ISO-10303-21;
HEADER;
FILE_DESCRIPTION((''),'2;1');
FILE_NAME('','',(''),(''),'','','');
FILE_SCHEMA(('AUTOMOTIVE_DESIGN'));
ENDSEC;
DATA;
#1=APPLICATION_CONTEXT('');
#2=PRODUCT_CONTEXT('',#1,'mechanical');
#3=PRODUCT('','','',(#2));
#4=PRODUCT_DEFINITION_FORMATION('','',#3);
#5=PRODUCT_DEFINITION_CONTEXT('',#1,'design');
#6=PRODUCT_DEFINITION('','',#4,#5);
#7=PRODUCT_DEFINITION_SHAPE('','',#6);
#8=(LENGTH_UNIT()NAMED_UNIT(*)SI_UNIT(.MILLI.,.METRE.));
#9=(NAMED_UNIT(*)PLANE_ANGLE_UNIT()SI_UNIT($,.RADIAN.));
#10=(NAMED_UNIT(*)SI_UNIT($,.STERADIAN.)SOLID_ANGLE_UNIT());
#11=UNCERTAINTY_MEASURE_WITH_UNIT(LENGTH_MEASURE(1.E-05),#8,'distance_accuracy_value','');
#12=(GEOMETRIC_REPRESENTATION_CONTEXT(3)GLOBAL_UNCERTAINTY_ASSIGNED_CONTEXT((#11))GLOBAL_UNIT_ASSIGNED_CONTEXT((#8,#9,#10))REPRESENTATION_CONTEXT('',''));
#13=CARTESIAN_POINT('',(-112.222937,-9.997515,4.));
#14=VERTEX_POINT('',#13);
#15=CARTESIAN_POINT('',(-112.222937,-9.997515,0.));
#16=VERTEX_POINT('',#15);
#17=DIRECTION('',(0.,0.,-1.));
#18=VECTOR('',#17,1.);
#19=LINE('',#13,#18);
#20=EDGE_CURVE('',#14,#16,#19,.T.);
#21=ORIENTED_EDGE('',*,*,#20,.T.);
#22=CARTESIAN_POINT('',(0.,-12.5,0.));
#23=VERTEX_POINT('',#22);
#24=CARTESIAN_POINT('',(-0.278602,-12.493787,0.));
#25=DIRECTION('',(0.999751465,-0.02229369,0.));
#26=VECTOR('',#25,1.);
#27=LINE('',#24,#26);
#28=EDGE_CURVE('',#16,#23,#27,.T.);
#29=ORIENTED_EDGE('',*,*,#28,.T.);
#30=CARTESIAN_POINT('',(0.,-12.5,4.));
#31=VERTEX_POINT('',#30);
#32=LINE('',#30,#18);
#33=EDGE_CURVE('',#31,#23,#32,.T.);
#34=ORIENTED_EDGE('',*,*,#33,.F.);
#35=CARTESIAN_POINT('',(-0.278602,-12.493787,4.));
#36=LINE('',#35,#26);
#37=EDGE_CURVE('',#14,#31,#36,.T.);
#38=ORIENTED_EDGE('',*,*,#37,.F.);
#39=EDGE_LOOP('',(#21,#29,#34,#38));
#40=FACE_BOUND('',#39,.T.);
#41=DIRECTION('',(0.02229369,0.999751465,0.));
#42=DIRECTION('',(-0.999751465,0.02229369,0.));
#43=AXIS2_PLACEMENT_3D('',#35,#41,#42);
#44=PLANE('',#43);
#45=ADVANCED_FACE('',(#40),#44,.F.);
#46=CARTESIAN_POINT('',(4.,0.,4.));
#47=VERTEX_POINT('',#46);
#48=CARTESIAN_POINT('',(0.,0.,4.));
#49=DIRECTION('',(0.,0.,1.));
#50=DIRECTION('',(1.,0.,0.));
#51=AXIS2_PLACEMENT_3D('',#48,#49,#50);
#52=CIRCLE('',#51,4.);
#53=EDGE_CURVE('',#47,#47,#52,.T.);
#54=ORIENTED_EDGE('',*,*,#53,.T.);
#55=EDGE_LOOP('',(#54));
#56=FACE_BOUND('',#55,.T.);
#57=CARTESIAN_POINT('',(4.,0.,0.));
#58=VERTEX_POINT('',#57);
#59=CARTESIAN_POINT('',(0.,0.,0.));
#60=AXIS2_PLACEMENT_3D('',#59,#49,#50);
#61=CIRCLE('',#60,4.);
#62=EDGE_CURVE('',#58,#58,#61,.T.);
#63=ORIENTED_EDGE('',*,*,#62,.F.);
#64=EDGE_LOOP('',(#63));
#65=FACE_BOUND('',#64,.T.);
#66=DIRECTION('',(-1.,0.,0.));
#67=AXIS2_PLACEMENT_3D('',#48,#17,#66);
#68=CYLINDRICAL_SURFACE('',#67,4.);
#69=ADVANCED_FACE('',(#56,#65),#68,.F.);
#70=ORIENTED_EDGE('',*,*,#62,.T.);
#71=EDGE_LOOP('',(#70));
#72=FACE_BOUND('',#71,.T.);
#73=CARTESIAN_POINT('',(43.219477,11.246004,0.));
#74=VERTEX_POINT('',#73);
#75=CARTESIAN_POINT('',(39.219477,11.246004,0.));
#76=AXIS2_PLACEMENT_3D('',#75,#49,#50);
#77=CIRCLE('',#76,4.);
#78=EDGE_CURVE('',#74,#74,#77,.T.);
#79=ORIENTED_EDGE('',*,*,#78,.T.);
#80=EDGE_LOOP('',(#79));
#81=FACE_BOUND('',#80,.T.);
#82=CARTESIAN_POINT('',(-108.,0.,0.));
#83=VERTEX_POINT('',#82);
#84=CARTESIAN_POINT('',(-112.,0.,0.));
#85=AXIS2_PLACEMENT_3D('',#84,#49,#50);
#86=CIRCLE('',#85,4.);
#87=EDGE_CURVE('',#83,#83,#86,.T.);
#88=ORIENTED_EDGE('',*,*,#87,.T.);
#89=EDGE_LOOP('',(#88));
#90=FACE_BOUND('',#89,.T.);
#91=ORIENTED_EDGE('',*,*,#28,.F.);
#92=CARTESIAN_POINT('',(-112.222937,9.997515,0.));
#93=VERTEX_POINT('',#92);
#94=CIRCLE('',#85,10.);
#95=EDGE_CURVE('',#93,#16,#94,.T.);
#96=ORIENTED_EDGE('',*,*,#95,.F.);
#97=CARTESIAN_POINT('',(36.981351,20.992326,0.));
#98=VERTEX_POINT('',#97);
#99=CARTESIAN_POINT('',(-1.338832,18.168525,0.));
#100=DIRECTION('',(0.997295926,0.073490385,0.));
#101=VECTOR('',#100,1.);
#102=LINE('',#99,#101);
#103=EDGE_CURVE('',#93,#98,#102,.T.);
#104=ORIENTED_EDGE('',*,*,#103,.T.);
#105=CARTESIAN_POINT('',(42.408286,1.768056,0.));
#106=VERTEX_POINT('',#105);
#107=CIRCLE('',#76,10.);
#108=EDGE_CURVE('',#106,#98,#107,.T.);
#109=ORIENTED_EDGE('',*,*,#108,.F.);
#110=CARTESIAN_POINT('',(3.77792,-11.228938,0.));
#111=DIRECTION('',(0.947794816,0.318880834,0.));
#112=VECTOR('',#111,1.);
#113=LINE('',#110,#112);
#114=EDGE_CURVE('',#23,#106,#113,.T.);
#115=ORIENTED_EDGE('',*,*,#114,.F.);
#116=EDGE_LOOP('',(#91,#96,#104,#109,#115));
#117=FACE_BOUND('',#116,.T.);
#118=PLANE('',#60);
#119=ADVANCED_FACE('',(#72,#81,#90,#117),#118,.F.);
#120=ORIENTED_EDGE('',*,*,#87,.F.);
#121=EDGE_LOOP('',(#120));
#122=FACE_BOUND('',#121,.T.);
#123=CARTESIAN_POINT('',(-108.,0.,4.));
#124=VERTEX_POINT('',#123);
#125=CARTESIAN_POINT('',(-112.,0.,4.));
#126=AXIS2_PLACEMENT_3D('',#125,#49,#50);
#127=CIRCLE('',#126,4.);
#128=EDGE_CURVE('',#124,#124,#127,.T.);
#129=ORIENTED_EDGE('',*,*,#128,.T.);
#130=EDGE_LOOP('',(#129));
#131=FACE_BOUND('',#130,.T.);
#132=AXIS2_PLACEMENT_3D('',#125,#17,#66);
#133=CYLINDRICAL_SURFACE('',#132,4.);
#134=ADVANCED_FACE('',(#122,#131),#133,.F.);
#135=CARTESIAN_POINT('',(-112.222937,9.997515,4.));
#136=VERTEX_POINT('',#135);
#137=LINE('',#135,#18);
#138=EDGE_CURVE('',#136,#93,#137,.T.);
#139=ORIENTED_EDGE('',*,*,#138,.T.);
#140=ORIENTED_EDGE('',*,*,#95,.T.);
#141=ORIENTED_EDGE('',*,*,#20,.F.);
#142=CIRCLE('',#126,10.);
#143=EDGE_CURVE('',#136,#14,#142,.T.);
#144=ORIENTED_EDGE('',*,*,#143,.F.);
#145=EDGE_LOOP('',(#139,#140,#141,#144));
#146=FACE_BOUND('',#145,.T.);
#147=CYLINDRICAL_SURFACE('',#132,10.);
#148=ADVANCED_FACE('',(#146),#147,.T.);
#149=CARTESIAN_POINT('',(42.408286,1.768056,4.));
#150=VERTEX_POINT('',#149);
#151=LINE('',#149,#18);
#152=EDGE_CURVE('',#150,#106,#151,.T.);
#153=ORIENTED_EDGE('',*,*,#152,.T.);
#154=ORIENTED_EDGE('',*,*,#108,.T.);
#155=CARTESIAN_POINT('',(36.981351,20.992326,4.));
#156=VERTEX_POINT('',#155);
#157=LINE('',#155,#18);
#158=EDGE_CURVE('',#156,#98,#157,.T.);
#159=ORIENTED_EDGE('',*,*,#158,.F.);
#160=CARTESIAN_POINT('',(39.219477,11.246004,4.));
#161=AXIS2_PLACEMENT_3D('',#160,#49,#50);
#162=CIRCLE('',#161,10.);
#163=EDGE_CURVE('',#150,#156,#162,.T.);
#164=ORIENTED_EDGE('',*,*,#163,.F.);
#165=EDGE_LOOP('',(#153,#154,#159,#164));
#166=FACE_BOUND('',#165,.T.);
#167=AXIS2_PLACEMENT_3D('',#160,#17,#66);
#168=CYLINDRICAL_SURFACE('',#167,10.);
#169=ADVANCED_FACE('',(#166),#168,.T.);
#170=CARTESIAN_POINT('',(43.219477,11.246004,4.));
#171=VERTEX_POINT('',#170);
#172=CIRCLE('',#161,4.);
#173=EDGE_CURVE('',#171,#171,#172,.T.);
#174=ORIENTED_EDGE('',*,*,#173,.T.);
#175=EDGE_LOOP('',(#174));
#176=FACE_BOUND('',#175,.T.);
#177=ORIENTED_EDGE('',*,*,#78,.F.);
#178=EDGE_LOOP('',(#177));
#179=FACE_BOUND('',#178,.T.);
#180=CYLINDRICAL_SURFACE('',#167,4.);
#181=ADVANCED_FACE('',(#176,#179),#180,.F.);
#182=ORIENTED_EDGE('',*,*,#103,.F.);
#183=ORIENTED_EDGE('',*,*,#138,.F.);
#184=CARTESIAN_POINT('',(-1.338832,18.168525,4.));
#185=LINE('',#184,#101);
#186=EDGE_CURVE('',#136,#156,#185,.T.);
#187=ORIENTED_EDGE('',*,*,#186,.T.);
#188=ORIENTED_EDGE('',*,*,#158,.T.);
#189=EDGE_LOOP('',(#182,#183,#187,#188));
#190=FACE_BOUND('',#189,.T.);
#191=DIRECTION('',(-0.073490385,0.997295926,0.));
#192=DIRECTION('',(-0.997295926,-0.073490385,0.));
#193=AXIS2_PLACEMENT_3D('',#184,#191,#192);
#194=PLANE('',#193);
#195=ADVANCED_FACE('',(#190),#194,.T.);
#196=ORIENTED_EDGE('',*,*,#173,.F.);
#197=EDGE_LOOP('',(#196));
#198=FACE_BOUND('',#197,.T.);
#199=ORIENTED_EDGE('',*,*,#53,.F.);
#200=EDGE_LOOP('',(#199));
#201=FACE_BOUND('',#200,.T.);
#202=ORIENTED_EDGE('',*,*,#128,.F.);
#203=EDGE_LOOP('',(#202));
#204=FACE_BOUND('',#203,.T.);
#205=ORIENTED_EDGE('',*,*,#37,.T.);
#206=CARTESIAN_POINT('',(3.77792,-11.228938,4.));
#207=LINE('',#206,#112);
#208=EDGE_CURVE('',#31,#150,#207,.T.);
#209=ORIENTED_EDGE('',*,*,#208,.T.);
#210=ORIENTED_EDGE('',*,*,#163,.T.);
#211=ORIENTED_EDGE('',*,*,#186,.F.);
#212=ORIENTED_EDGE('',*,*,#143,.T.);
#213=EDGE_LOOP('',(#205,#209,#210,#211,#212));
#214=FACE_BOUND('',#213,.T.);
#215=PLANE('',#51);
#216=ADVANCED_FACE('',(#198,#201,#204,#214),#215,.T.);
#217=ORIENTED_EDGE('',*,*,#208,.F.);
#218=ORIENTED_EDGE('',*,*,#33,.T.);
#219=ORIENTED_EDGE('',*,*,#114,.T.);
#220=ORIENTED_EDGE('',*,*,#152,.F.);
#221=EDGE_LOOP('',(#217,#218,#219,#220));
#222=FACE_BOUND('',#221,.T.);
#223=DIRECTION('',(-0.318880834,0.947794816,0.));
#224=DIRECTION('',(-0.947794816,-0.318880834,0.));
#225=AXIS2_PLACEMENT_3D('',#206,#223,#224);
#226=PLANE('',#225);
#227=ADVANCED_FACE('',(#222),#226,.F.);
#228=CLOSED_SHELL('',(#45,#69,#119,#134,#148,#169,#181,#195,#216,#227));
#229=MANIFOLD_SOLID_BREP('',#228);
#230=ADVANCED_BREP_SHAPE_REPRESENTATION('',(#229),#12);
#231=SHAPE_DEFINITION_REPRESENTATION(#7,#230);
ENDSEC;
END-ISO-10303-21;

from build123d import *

# Parameters (mm, degrees)
CROQUIS1_R              = 4
SALIENTE_EXTRUIR1_DEPTH = 4


with BuildPart() as part:
    # Croquis1 → Saliente-Extruir1 (new body)
    # profile 1 of 2: a face of its own
    with BuildSketch(Plane.XY):
        with BuildLine():
            Line((0, -12.5), (42.408285537, 1.768055956))
            ThreePointArc((42.408285537, 1.768055956), (48.843358342, 13.962787444), (36.981350661, 20.992325968))
            Line((36.981350661, 20.992325968), (0, 12.5))
            Line((0, 12.5), (-112.222936903, 9.997514648))
            ThreePointArc((-112.222936903, 9.997514648), (-122, 0), (-112.222936903, -9.997514648))
            Line((-112.222936903, -9.997514648), (0, -12.5))
        make_face()
        with Locations((-112, 0)):
            Circle(CROQUIS1_R, mode=Mode.SUBTRACT)
        with Locations((39.219477194, 11.246004117)):
            Circle(CROQUIS1_R, mode=Mode.SUBTRACT)
        Circle(CROQUIS1_R, mode=Mode.SUBTRACT)
    # profile 2 of 2: a face of its own
    with BuildSketch(Plane.XY):
        Polygon((-112.222936903, 9.997514648), (36.981350661, 20.992325968), (0, 12.5), align=None)
    extrude(amount=SALIENTE_EXTRUIR1_DEPTH)


solid = part.part
